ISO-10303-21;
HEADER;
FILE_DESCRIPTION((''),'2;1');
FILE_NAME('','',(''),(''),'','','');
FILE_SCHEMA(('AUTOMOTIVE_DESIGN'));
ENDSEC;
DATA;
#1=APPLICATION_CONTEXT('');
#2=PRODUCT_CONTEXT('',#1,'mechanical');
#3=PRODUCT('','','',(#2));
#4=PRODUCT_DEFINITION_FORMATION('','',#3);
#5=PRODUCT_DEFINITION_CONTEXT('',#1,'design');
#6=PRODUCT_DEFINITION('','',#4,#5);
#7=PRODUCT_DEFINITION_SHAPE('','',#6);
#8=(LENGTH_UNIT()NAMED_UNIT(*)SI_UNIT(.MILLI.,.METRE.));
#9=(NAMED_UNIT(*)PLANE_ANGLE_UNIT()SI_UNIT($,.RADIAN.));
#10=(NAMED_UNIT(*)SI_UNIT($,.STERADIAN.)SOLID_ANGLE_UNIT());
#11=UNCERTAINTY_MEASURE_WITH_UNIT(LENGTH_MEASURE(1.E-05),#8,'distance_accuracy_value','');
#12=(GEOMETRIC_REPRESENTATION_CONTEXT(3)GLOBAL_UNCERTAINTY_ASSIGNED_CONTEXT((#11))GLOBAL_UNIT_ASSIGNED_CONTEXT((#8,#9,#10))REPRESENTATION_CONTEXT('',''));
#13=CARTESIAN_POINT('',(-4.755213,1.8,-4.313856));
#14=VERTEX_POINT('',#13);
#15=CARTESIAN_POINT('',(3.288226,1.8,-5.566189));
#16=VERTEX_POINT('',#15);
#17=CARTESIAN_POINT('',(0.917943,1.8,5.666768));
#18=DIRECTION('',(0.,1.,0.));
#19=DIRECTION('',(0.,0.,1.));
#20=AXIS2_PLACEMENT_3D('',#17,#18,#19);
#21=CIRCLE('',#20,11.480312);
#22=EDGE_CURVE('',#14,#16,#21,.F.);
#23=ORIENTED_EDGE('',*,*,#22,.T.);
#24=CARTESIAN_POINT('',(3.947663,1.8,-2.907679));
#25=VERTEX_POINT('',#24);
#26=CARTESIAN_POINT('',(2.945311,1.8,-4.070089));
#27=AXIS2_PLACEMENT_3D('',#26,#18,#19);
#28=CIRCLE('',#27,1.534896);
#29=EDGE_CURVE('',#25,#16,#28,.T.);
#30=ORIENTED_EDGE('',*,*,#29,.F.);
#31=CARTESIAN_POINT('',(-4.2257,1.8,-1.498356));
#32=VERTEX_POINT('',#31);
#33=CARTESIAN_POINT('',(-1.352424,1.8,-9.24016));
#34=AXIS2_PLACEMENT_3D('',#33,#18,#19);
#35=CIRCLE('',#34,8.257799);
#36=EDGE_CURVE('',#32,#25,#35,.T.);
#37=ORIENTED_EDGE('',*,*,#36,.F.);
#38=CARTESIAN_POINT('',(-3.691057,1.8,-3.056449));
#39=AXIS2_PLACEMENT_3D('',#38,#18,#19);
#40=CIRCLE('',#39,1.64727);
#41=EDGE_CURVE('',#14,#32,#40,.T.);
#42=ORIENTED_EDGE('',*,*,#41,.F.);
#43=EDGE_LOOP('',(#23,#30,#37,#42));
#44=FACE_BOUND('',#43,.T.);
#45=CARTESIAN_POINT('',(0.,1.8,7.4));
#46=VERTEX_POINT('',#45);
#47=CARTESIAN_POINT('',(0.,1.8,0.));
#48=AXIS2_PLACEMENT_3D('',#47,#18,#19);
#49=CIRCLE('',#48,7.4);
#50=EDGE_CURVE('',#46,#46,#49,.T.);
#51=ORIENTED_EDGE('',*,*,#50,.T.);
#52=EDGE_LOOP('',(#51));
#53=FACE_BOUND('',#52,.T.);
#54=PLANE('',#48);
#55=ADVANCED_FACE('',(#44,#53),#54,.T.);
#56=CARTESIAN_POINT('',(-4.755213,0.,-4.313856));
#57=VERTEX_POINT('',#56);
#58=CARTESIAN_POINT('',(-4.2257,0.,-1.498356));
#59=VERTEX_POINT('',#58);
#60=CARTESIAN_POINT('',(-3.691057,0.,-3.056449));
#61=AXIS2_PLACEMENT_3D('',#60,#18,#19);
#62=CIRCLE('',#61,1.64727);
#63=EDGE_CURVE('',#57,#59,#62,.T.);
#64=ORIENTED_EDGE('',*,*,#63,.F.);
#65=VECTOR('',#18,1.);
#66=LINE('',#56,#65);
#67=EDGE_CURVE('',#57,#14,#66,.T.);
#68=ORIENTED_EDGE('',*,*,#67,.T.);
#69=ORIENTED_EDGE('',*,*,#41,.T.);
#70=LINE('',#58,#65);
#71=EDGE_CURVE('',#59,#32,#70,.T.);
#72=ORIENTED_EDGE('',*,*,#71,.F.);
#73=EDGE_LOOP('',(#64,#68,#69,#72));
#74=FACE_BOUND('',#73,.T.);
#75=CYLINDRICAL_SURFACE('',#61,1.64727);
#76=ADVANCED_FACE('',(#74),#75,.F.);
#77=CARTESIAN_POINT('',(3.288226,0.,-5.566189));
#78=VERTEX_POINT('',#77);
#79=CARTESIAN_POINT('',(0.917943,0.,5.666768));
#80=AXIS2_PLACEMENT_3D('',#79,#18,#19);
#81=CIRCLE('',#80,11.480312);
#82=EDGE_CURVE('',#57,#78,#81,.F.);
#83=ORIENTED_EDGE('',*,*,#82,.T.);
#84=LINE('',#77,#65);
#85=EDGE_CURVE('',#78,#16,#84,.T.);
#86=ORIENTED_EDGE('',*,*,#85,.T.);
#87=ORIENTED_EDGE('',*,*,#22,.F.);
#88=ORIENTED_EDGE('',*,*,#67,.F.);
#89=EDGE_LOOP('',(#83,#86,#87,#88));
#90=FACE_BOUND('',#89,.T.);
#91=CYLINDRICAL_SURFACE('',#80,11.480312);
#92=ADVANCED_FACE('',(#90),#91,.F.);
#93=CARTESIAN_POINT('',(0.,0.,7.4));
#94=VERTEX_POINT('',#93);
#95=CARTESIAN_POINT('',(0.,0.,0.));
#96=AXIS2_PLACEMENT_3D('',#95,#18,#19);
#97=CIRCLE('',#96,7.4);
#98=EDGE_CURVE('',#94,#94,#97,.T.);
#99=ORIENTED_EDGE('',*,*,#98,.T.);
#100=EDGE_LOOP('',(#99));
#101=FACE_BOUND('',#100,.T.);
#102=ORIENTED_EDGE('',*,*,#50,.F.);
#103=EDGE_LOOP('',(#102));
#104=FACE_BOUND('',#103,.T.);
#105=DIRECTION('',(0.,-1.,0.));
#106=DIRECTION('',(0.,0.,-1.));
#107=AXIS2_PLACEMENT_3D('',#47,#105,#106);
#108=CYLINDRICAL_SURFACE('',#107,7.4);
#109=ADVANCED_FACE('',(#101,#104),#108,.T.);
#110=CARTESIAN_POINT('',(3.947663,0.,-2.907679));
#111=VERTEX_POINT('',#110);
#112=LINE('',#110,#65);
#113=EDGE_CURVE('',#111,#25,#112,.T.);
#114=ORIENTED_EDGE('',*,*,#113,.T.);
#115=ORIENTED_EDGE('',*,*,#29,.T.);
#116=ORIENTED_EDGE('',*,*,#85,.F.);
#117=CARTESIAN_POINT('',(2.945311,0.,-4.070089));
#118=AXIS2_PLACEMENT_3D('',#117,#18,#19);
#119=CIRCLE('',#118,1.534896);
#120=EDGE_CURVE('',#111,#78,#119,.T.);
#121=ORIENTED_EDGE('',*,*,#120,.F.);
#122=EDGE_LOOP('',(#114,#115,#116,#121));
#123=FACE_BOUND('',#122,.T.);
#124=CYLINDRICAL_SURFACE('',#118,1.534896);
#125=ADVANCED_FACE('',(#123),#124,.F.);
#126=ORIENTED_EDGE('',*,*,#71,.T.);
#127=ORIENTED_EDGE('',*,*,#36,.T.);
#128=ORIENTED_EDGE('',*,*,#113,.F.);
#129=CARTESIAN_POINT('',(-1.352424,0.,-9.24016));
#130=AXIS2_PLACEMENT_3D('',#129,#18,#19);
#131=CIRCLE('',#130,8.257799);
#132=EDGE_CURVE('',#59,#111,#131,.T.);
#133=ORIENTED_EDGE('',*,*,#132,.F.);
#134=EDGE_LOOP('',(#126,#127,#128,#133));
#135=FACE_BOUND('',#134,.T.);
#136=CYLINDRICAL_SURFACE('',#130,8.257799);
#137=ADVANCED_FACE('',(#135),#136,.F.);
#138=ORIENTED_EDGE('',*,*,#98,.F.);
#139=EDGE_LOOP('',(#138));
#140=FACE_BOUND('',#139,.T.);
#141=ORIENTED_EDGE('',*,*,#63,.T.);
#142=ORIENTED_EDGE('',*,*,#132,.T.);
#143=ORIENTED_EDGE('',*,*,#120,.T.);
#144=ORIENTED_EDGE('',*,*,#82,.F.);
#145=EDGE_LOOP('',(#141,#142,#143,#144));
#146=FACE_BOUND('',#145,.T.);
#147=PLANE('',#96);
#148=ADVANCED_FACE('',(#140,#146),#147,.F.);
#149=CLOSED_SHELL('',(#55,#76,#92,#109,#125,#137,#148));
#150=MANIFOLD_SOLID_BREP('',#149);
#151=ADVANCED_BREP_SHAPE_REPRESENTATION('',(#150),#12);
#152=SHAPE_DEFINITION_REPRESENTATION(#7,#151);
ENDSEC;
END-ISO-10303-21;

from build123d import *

# Parameters (mm, degrees)
SKETCH1_R           = 7.4
BOSS_EXTRUDE1_DEPTH = 1.8
CUT_EXTRUDE1_DEPTH  = 1.8


with BuildPart() as part:
    # Sketch1 → Boss-Extrude1 (new body)
    with BuildSketch(Plane(origin=(0, 0, 0), x_dir=(1, 0, 0), z_dir=(0, 1, 0))):
        with Locations(Location((0, 0, 0), (0, 0, 270))):
            Circle(SKETCH1_R)
    extrude(amount=BOSS_EXTRUDE1_DEPTH)

    # Sketch2 → Cut-Extrude1 (cut)
    with BuildSketch(Plane(origin=(0, 1.8, 0), x_dir=(1, 0, 0), z_dir=(0, 1, 0))):
        with BuildLine():
            ThreePointArc((-4.755212935, 4.313856299), (-5.309945757, 2.75198404), (-4.225699922, 1.498355538))
            ThreePointArc((-4.225699922, 1.498355538), (0.050751504, 1.102448618), (3.947663446, 2.907678911))
            ThreePointArc((3.947663446, 2.907678911), (4.435061032, 4.439617566), (3.288226484, 5.566188899))
            ThreePointArc((3.288226484, 5.566188899), (-0.848218313, 5.676875006), (-4.755212935, 4.313856299))
        make_face()
    extrude(amount=-CUT_EXTRUDE1_DEPTH, mode=Mode.SUBTRACT)


solid = part.part
